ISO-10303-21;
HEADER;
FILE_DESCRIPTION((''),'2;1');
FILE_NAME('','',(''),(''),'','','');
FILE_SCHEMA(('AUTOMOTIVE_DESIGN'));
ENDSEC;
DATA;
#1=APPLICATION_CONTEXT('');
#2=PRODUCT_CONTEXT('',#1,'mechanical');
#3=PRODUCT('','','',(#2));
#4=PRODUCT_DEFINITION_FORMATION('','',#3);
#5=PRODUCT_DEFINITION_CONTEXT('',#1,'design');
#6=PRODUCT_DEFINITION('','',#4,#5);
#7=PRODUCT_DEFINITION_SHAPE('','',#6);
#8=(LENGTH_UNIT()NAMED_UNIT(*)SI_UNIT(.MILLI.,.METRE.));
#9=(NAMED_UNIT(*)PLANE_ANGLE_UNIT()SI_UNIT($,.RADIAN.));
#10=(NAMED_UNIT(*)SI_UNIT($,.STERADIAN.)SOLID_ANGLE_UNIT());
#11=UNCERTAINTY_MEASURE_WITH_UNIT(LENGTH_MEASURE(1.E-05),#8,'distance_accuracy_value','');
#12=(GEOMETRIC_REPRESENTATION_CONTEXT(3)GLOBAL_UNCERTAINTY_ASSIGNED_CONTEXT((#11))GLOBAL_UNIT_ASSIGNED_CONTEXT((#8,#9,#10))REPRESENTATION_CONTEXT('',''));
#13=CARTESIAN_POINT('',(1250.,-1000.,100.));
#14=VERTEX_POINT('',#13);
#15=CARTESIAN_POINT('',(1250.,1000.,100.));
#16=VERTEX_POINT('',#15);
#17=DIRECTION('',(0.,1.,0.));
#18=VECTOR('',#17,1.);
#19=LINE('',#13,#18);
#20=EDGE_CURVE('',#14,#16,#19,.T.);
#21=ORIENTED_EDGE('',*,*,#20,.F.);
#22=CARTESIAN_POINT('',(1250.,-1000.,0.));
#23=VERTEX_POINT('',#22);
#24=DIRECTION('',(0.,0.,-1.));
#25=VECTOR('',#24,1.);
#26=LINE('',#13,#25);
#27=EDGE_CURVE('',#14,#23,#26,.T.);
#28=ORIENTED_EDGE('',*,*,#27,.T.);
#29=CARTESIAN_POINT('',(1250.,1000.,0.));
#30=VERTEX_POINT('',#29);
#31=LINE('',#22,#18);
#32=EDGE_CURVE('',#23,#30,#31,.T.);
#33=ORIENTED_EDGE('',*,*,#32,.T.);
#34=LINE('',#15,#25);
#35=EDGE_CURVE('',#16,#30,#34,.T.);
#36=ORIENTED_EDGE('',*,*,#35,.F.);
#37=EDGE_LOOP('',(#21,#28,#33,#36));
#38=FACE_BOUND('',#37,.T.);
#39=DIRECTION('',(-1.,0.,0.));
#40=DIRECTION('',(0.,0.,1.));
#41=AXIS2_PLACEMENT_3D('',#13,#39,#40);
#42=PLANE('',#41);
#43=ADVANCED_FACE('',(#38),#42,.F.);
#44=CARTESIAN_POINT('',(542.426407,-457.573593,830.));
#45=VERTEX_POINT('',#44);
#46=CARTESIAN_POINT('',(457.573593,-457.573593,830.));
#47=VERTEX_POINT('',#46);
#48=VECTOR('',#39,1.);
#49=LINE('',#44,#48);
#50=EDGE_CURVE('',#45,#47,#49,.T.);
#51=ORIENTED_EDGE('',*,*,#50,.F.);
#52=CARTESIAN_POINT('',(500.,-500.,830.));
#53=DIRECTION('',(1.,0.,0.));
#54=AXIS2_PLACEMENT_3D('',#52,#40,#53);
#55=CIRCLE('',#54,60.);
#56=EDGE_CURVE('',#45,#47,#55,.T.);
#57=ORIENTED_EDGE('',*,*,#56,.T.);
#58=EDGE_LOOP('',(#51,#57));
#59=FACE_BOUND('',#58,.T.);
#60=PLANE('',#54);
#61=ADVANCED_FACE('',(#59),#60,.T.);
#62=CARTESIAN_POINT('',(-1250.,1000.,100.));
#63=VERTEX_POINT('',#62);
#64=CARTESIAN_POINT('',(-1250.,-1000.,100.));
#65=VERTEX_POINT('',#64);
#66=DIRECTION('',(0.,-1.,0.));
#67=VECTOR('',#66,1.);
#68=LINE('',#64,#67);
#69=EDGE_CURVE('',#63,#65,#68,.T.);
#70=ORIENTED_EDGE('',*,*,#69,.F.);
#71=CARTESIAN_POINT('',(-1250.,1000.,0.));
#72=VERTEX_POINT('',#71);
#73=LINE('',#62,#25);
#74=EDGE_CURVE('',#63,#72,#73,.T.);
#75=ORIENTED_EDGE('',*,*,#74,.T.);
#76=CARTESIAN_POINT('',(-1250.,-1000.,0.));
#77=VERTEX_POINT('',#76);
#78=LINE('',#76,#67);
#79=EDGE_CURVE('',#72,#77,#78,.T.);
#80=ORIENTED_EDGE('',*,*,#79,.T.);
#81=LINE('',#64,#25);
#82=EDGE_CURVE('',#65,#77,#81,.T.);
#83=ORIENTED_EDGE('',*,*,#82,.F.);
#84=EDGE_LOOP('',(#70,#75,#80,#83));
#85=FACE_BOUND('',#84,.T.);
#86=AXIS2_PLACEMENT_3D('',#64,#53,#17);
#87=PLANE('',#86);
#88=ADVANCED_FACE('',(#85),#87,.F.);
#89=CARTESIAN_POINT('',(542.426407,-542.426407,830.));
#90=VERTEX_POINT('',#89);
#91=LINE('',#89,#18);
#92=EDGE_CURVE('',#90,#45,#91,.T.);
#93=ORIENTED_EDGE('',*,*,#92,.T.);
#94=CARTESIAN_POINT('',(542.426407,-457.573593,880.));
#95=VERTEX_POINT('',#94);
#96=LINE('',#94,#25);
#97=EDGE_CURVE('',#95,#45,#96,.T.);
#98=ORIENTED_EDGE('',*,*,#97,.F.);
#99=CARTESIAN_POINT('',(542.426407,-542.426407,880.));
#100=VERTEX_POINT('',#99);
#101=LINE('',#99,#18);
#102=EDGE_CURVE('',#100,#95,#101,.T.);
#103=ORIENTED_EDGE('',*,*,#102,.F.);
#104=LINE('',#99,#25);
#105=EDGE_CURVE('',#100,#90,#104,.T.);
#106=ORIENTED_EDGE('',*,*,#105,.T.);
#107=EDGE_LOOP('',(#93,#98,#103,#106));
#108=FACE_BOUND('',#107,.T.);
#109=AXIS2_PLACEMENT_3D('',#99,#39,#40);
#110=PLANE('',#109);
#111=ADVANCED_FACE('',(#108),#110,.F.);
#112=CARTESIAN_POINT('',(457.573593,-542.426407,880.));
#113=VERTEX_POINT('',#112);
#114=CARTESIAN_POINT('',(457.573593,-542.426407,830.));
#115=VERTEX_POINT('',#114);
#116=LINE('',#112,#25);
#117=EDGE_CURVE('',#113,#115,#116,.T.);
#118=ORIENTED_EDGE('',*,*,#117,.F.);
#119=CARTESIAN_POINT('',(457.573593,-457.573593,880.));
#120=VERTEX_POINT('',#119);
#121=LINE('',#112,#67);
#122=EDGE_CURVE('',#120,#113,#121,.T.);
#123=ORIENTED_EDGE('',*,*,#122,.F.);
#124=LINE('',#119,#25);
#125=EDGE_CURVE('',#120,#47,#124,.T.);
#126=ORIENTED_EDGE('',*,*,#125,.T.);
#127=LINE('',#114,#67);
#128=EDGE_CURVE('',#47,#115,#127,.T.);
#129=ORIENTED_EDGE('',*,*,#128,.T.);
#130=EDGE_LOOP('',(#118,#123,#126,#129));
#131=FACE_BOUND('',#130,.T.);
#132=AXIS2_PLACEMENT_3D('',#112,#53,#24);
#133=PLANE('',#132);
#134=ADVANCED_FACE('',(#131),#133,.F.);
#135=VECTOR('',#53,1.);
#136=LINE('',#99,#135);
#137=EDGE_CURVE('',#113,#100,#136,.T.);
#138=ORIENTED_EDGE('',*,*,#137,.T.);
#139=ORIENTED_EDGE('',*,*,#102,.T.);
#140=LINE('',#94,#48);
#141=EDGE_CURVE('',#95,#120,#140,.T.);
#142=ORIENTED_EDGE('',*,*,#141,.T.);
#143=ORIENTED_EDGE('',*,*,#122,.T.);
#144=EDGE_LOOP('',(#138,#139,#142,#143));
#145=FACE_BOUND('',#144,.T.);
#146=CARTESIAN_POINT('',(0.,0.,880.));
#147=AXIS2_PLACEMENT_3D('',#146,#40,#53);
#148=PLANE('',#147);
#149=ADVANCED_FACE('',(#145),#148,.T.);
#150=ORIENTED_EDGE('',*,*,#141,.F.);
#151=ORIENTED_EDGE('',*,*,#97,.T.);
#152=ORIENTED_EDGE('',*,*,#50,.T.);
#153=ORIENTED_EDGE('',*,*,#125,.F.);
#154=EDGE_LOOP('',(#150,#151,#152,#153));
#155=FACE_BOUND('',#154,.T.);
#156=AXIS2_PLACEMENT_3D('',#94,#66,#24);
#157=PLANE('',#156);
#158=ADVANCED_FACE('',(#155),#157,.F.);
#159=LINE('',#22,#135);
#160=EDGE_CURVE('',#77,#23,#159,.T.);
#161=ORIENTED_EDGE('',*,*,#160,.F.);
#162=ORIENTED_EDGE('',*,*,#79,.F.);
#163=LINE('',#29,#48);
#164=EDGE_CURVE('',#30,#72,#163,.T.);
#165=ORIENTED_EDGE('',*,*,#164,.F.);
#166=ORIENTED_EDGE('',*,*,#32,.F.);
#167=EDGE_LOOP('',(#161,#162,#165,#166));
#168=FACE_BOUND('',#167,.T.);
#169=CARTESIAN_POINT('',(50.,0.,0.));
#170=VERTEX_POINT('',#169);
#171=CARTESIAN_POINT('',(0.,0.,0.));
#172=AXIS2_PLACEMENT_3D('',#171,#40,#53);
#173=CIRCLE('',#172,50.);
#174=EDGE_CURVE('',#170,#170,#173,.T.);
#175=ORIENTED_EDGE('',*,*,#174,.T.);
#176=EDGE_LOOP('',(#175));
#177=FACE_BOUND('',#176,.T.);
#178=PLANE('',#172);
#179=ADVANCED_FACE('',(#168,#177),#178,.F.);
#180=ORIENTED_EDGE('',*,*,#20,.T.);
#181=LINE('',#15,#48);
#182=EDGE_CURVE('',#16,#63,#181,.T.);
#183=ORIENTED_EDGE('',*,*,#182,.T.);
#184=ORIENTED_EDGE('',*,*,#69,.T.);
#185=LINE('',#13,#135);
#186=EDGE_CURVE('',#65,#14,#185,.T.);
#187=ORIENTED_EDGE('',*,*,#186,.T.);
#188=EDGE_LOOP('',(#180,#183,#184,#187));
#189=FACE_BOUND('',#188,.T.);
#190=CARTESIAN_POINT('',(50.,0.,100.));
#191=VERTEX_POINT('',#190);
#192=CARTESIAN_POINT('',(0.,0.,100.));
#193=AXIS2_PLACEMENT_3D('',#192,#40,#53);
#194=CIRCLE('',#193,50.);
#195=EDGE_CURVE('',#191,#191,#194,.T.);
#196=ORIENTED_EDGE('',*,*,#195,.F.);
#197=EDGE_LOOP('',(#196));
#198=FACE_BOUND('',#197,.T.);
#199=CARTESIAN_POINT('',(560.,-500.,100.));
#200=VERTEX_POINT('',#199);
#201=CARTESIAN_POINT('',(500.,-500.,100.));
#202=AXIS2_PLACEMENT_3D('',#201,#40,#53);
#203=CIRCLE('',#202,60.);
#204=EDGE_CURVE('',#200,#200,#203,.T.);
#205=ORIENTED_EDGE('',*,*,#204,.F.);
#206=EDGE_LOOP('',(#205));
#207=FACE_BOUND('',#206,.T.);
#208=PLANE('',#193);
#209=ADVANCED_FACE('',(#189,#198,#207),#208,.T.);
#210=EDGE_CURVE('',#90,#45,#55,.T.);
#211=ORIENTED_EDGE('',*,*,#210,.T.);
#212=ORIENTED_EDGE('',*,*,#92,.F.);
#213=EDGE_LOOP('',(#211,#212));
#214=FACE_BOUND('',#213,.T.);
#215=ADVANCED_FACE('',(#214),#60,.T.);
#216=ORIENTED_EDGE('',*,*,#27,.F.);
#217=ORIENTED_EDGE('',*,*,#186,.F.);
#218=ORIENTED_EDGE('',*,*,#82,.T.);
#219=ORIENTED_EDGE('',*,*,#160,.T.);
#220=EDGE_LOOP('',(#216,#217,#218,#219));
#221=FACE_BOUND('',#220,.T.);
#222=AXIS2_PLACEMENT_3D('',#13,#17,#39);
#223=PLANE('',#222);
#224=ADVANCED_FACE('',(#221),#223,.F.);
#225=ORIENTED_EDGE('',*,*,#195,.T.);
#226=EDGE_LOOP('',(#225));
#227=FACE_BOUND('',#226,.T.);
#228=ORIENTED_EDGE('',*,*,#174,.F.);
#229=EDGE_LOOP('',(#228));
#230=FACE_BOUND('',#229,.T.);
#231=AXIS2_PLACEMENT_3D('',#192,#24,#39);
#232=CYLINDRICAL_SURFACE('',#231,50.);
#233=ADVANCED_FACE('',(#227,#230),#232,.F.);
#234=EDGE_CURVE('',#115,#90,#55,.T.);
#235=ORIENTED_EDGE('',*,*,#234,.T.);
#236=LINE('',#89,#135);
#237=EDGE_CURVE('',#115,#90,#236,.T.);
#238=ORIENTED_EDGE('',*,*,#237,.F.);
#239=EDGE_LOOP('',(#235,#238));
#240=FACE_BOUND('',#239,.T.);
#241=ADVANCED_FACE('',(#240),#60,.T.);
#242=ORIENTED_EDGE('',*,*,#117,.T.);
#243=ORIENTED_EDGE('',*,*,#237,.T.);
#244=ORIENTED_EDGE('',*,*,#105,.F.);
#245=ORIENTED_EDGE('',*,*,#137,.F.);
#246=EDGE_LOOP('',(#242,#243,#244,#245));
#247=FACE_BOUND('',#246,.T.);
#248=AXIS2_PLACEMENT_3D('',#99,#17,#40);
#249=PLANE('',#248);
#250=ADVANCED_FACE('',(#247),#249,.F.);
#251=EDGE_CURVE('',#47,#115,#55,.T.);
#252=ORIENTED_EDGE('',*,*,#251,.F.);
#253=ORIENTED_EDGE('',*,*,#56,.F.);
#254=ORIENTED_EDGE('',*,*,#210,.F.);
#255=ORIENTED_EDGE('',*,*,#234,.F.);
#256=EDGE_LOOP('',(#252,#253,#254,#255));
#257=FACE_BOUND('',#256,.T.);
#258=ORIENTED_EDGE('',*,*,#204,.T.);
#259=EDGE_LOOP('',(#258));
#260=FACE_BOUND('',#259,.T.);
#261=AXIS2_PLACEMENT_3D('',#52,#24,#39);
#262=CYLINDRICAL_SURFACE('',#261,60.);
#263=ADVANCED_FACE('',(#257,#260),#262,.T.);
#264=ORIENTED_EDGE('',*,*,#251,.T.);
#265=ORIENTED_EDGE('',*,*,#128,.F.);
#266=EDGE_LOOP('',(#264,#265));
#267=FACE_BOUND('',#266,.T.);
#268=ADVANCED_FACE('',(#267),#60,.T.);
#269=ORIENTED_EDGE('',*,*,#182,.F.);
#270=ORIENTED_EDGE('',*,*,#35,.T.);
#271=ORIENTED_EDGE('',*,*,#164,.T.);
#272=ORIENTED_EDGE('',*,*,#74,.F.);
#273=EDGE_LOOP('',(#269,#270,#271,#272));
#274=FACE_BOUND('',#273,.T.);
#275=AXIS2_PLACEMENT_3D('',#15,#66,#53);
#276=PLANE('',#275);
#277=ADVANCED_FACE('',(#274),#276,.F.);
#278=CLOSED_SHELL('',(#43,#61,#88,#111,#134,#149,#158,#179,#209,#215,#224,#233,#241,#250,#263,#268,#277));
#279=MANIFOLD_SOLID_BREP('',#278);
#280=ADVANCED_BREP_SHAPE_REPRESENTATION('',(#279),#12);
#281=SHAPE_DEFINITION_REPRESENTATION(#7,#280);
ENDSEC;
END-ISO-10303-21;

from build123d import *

# Parameters (mm, degrees)
SKETCH_1_W      = 2500
SKETCH_1_H      = 2000
SKETCH_1_R      = 50
EXTRUDE_1_DEPTH = 100
SKETCH_2_R      = 60
EXTRUDE_2_DEPTH = 730
SKETCH_3_W      = 84.852813742
SKETCH_3_H      = 84.852813742
EXTRUDE_3_DEPTH = 50


with BuildPart() as part:
    # 草图1 → 凸台-拉伸1 (new body)
    with BuildSketch(Plane.XY):
        Rectangle(SKETCH_1_W, SKETCH_1_H)
        Circle(SKETCH_1_R, mode=Mode.SUBTRACT)
    extrude(amount=EXTRUDE_1_DEPTH)

    # 草图2 → 凸台-拉伸2 (add)
    with BuildSketch(Plane.XY.offset(100)):
        with Locations(Location((500, -500, 0), (0, 0, 180))):
            Circle(SKETCH_2_R)
    extrude(amount=EXTRUDE_2_DEPTH)

    # 草图3 → 凸台-拉伸3 (add)
    with BuildSketch(Plane.XY.offset(830)):
        with Locations((500, -500)):
            Rectangle(SKETCH_3_W, SKETCH_3_H)
    extrude(amount=EXTRUDE_3_DEPTH)


solid = part.part
